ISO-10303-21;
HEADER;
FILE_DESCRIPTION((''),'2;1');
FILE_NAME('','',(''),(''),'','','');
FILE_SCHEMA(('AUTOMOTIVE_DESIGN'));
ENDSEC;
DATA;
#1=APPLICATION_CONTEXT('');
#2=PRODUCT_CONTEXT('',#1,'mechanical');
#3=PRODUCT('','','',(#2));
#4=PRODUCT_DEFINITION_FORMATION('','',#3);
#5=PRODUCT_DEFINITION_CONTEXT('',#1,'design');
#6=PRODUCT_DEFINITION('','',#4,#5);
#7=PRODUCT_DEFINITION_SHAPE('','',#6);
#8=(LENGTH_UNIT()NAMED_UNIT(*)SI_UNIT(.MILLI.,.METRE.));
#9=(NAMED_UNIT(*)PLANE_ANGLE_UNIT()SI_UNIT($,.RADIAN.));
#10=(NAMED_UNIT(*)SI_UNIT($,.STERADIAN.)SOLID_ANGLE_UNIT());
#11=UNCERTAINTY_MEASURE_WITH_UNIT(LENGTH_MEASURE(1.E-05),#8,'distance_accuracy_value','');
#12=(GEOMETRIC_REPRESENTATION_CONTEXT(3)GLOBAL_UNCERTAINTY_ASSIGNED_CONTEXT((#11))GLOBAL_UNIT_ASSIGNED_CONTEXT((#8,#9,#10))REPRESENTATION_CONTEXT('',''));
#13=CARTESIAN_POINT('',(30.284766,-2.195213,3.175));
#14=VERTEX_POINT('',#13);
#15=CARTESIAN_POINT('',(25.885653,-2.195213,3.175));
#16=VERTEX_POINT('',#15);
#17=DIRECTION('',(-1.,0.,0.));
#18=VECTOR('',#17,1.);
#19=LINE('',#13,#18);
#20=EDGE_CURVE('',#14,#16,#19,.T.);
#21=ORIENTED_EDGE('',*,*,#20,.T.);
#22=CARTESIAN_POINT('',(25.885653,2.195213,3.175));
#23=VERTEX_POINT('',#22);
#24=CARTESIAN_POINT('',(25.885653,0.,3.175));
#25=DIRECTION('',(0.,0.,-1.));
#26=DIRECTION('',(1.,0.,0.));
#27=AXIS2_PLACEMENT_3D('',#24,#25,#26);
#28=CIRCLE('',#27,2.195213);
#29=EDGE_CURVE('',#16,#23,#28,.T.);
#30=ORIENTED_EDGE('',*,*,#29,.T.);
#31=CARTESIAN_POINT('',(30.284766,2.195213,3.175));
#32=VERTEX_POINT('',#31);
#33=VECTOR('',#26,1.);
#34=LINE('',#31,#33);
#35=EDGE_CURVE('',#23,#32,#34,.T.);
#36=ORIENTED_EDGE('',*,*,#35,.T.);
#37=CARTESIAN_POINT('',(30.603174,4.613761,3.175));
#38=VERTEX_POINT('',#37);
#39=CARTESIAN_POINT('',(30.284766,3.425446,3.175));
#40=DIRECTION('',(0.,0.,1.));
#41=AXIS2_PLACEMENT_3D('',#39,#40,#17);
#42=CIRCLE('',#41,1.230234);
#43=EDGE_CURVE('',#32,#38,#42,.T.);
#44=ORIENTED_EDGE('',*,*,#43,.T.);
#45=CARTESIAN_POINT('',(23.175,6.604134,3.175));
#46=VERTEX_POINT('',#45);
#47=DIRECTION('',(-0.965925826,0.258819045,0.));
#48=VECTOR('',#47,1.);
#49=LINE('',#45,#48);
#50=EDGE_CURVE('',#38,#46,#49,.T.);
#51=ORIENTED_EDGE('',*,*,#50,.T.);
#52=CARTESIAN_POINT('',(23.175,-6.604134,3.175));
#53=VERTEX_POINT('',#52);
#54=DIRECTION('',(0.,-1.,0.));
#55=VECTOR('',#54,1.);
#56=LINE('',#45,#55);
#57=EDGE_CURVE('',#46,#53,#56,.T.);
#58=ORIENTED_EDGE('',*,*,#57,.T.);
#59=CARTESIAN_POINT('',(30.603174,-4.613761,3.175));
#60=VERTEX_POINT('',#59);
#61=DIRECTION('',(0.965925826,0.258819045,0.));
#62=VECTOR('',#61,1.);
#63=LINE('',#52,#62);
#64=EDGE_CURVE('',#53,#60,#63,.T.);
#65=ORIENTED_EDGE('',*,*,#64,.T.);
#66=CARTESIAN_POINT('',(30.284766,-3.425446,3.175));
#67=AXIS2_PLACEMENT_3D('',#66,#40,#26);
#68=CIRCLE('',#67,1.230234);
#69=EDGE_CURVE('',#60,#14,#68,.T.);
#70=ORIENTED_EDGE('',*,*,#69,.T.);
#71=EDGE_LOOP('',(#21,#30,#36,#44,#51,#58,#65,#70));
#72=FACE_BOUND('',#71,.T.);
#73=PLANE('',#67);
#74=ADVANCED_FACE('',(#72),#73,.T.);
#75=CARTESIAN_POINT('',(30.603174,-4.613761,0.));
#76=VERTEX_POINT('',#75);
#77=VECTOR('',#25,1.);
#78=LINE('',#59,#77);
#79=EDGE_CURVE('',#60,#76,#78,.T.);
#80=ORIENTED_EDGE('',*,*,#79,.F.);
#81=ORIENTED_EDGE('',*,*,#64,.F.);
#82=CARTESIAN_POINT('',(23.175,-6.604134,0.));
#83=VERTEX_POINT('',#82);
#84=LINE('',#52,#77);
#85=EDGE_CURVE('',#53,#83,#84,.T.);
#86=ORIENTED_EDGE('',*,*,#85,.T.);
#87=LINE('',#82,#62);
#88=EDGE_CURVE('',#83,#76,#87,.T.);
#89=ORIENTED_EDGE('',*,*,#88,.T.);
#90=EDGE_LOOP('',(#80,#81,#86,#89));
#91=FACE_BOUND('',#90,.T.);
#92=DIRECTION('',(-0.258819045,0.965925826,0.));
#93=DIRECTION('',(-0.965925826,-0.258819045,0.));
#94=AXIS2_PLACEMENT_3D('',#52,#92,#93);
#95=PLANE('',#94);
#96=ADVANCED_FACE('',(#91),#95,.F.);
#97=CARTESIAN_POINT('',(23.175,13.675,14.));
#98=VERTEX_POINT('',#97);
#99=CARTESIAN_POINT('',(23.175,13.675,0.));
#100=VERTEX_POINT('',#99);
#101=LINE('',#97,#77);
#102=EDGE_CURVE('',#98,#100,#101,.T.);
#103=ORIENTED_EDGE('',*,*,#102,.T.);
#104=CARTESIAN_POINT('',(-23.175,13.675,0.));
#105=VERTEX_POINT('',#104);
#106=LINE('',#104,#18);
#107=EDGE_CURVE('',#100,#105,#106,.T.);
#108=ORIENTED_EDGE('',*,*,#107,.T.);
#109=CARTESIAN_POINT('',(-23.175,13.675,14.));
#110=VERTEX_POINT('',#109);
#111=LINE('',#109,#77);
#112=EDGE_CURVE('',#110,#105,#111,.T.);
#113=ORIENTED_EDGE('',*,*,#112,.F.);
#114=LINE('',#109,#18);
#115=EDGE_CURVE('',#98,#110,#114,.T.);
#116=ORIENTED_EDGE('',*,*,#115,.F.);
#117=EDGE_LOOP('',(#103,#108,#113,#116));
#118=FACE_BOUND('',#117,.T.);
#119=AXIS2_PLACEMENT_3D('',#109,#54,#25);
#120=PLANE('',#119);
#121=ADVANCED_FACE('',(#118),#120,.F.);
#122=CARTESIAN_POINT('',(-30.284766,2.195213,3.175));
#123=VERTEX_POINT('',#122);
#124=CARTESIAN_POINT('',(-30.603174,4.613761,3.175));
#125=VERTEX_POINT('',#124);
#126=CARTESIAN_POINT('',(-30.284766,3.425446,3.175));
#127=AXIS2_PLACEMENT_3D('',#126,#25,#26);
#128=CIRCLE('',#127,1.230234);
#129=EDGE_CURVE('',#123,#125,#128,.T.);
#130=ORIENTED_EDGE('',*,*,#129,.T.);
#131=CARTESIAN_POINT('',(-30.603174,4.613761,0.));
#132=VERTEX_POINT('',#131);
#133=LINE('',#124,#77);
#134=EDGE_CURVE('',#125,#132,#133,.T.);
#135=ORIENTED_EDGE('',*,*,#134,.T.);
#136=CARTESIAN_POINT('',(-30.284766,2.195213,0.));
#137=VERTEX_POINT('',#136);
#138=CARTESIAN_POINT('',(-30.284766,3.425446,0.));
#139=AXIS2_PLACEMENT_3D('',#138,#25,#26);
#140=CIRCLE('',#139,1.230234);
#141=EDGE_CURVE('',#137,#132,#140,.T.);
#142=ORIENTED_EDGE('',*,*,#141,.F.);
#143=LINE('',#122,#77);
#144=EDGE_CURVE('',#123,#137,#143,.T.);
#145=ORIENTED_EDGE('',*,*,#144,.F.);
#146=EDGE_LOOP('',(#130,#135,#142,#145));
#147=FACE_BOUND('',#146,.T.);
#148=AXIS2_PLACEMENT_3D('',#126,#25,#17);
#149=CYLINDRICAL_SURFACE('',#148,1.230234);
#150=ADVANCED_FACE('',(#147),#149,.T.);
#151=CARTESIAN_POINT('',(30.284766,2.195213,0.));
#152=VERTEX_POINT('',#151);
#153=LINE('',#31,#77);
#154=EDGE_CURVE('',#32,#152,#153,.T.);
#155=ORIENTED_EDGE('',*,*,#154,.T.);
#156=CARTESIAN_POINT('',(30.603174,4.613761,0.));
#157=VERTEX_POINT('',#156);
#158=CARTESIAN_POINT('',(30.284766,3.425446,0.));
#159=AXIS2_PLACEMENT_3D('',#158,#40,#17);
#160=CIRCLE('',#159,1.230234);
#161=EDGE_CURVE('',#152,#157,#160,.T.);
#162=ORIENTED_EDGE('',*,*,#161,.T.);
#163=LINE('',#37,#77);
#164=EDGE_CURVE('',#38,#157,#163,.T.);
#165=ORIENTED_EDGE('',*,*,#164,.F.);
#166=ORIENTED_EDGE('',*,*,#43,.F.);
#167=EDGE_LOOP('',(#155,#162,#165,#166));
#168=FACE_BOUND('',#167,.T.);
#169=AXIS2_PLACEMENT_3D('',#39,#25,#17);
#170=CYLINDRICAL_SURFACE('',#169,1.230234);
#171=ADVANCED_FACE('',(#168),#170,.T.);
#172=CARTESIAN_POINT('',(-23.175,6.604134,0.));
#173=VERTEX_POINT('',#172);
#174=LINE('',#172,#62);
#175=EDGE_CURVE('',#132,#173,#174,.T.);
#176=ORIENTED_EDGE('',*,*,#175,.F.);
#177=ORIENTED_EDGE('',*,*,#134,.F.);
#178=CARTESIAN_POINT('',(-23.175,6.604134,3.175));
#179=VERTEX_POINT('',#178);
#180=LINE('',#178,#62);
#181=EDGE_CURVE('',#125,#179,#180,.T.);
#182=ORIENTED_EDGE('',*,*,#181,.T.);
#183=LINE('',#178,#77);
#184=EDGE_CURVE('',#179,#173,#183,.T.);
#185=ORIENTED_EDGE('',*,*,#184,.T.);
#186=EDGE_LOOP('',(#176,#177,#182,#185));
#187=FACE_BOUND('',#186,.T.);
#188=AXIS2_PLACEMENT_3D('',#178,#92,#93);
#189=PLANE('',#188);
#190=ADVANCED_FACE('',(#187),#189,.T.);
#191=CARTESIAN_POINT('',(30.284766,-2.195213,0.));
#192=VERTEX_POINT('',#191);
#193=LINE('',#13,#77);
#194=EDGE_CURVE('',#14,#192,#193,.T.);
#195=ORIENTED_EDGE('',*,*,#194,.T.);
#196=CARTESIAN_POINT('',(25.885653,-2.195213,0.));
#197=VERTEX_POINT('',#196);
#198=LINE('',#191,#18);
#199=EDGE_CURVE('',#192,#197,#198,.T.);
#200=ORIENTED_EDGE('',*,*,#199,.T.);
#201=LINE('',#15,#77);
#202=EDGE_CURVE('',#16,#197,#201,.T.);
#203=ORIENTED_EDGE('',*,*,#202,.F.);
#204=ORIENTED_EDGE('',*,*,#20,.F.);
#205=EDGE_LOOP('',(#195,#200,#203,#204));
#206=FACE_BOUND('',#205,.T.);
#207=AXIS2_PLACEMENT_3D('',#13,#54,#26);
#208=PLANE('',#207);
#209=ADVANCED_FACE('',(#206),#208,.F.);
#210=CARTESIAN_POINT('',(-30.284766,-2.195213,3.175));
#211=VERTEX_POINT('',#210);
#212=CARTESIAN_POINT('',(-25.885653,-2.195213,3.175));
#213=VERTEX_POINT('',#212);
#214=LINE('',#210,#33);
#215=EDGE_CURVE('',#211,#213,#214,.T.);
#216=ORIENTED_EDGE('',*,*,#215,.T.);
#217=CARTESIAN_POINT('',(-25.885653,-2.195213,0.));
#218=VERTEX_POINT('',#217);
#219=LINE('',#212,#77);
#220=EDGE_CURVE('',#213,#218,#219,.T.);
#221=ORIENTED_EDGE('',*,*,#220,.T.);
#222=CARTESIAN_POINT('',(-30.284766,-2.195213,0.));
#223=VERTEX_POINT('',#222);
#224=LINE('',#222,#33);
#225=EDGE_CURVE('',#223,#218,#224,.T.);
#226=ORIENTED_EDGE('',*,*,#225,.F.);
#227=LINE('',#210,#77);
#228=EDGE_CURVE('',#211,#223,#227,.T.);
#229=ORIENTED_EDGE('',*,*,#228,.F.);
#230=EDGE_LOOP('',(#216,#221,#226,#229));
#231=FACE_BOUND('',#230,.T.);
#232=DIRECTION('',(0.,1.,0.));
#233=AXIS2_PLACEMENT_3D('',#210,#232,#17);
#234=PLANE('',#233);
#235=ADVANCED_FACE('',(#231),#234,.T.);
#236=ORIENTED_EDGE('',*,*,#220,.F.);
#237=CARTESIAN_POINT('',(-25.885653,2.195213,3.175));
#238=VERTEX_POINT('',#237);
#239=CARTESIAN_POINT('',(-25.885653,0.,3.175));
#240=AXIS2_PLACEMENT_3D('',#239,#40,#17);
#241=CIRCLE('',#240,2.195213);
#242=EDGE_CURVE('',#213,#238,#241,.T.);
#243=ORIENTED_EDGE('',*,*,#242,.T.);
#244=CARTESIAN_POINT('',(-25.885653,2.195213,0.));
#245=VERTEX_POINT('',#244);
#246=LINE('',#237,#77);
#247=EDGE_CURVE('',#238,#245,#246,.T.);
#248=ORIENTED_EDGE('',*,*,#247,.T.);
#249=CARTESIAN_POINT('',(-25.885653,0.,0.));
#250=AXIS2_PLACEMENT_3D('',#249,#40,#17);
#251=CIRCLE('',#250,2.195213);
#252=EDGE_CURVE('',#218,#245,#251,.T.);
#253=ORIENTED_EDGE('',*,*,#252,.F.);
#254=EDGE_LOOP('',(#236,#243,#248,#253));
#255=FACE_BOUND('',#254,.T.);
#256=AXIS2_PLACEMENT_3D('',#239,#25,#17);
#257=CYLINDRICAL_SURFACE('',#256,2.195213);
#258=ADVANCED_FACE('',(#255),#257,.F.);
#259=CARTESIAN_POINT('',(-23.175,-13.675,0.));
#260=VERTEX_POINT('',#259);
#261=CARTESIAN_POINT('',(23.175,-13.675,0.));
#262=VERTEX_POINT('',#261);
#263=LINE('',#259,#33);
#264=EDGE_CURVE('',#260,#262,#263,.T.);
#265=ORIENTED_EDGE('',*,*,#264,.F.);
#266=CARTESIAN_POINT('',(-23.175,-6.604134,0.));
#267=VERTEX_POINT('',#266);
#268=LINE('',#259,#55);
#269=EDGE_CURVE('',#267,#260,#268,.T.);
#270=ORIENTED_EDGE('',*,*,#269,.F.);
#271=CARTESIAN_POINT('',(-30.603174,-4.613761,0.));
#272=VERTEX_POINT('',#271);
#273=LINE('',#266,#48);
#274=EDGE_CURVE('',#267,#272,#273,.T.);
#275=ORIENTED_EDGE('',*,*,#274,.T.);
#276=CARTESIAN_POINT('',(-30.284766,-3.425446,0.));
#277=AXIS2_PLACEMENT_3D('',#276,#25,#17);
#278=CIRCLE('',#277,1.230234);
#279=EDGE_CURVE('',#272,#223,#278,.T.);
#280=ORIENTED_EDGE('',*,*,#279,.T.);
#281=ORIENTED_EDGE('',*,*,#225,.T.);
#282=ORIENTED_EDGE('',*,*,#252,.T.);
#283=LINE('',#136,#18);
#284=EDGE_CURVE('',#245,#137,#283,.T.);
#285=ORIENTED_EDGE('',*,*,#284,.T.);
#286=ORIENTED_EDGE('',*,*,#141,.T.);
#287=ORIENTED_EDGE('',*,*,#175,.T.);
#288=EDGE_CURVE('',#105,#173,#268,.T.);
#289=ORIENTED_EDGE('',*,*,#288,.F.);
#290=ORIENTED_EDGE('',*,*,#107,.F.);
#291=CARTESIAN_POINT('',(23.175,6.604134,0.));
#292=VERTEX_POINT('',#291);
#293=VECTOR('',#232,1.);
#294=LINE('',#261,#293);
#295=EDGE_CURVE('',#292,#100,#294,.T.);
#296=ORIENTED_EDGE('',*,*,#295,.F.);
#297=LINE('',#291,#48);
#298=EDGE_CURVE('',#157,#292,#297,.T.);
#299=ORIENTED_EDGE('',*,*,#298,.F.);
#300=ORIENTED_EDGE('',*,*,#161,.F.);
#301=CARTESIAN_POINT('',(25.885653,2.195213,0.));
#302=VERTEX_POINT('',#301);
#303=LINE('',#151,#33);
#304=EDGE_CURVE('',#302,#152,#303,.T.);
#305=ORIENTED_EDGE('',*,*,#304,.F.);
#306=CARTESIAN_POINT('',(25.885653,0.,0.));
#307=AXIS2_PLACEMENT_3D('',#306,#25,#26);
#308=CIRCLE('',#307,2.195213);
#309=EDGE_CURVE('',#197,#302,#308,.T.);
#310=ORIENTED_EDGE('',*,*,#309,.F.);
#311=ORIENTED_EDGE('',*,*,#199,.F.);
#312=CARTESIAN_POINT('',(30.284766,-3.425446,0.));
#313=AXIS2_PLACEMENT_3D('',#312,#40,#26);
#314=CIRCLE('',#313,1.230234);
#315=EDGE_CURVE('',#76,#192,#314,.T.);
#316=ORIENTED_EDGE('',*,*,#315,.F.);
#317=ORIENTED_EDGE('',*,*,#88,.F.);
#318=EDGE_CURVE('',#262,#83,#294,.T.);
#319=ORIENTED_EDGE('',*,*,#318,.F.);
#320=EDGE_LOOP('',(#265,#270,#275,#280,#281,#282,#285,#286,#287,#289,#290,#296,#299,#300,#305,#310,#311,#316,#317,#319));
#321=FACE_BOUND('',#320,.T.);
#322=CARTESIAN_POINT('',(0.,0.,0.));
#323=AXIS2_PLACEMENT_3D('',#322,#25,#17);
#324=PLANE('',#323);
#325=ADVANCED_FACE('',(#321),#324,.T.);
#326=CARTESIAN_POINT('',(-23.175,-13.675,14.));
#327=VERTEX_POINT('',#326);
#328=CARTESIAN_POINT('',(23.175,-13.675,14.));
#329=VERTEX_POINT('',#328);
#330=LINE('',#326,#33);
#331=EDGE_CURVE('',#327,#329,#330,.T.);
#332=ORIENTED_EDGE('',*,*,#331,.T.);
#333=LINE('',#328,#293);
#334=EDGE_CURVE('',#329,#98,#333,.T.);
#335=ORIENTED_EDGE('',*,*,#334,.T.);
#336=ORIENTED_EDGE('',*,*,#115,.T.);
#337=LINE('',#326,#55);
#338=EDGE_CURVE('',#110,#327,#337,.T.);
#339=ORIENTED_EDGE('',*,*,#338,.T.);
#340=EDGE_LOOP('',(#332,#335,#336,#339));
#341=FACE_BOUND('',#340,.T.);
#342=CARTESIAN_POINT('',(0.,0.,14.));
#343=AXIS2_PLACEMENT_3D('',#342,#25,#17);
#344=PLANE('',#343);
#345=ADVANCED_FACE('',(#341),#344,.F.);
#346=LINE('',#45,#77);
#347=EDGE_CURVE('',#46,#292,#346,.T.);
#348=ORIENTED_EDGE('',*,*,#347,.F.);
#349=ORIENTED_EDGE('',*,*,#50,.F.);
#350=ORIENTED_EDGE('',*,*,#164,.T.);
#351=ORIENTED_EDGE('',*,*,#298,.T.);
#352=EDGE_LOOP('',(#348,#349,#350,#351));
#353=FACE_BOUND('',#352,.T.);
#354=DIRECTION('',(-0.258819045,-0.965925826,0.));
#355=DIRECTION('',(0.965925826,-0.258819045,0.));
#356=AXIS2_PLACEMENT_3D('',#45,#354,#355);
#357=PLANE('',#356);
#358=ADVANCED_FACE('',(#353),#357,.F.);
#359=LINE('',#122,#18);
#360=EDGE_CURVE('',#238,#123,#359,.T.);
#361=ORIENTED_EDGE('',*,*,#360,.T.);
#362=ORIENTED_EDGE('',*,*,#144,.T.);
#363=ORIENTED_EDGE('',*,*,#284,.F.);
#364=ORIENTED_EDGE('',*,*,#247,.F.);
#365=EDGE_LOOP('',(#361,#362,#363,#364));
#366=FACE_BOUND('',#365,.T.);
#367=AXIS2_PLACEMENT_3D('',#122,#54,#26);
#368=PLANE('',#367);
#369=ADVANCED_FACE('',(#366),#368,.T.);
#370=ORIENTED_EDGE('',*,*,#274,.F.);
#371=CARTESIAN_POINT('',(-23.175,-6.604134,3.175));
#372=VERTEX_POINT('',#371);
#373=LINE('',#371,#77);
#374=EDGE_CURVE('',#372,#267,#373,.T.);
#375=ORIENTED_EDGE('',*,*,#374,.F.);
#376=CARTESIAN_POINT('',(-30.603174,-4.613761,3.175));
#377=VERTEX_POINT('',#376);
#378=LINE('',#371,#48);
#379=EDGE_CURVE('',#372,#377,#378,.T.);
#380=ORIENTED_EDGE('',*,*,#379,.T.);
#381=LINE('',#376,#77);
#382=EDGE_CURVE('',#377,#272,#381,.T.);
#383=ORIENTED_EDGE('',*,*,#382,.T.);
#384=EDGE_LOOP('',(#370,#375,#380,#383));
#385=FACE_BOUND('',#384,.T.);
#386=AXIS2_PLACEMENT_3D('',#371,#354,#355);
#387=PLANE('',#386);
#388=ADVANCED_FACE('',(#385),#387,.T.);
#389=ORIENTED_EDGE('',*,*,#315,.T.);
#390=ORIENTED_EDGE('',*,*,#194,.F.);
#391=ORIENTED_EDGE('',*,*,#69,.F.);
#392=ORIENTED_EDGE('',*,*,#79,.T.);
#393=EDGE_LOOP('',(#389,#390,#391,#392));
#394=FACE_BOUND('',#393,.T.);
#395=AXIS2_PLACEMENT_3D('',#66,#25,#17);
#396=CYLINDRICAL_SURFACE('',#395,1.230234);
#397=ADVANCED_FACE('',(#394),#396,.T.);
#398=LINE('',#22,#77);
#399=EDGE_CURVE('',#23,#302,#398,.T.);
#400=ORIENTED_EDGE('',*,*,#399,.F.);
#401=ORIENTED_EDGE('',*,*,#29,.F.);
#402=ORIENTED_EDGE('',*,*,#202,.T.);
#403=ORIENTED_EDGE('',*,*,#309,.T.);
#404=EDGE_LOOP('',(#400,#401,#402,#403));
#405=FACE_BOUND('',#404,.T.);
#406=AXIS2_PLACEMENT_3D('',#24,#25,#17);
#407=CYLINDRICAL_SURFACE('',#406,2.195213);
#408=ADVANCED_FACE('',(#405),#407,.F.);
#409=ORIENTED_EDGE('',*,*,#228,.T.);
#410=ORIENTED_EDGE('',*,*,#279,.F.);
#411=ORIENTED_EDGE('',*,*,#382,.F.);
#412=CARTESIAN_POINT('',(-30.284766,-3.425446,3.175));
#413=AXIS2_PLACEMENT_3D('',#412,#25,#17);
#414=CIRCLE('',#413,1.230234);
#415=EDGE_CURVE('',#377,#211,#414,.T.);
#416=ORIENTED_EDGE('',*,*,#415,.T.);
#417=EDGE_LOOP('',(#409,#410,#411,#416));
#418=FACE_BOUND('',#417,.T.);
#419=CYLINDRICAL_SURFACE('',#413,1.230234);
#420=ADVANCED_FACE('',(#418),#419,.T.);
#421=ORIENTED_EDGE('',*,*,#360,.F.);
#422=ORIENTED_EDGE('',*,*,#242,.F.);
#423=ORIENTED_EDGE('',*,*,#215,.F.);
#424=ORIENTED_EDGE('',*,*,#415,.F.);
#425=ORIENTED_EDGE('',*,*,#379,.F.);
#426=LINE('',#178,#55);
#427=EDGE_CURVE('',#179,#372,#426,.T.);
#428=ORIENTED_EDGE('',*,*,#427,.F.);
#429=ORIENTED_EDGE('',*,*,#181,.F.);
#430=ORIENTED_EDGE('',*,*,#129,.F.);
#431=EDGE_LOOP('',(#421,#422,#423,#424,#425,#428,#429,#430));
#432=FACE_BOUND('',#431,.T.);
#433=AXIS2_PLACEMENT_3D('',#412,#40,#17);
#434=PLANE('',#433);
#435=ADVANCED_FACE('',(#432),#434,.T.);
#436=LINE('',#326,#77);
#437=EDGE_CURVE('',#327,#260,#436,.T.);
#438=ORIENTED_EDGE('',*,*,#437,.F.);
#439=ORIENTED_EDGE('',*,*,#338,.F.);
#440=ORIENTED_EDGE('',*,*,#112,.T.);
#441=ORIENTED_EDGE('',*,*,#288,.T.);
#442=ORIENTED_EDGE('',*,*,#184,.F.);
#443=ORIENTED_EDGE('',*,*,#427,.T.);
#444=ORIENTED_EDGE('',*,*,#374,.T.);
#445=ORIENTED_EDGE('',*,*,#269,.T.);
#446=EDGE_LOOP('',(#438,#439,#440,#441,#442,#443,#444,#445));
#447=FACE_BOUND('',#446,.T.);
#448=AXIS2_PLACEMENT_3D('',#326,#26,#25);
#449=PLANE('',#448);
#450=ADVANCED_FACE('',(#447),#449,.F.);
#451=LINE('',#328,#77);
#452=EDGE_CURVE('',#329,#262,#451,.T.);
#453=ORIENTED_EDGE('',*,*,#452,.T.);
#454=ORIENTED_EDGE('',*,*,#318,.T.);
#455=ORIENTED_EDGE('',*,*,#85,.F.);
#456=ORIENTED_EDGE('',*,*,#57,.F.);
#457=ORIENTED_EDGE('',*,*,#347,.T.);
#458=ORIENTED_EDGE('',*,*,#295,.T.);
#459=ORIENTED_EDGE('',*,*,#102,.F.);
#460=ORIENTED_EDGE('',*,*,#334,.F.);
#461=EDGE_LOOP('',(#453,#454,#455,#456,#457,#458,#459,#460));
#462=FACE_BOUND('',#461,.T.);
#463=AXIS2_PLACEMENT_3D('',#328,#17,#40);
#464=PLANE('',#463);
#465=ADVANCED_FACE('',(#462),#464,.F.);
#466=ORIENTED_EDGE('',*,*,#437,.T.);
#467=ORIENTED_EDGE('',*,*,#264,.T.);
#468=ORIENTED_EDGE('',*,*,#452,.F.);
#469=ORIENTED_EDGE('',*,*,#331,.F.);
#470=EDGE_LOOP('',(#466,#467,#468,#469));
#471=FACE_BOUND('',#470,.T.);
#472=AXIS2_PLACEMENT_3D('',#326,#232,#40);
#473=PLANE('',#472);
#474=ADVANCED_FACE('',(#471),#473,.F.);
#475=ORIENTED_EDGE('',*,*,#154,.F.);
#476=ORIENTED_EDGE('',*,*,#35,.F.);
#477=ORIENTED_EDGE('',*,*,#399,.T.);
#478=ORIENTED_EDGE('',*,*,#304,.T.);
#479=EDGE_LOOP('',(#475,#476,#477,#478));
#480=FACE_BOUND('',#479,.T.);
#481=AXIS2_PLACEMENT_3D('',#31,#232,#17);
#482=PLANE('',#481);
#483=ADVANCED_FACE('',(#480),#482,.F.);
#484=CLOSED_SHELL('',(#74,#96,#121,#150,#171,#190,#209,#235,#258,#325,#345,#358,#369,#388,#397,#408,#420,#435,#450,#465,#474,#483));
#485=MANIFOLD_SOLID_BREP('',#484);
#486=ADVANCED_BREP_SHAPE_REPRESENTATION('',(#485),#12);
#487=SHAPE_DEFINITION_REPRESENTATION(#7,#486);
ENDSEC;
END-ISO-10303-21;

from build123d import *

# Parameters (mm, degrees)
SKETCH1_W           = 46.35
SKETCH1_H           = 27.35
BOSS_EXTRUDE1_DEPTH = 14
BOSS_EXTRUDE2_DEPTH = 3.175


with BuildPart() as part:
    # Sketch1 → Boss-Extrude1 (new body)
    with BuildSketch(Plane.XY):
        Rectangle(SKETCH1_W, SKETCH1_H)
    extrude(amount=BOSS_EXTRUDE1_DEPTH)

    # Sketch2 → Boss-Extrude2 (add)
    with BuildSketch(Plane.XY):
        with BuildLine():
            Line((23.175, 6.604134349), (30.60317409, 4.6137611))
            ThreePointArc((30.60317409, 4.6137611), (31.504475179, 3.264868697), (30.284766137, 2.195212576))
            Line((30.284766137, 2.195212576), (25.885652609, 2.195212576))
            ThreePointArc((25.885652609, 2.195212576), (23.690440034, 0), (25.885652609, -2.195212576))
            Line((25.885652609, -2.195212576), (30.284766137, -2.195212576))
            ThreePointArc((30.284766137, -2.195212576), (31.504475179, -3.264868697), (30.60317409, -4.6137611))
            Line((30.60317409, -4.6137611), (23.175, -6.604134349))
            Line((23.175, -6.604134349), (23.175, 6.604134349))
        make_face()
    boss_extrude2 = extrude(amount=BOSS_EXTRUDE2_DEPTH)

    # Mirror1: Boss-Extrude2 across plane
    add(boss_extrude2.mirror(Plane(origin=(0, 0, 0), x_dir=(0, 0, 1), z_dir=(1, 0, 0))))


solid = part.part
